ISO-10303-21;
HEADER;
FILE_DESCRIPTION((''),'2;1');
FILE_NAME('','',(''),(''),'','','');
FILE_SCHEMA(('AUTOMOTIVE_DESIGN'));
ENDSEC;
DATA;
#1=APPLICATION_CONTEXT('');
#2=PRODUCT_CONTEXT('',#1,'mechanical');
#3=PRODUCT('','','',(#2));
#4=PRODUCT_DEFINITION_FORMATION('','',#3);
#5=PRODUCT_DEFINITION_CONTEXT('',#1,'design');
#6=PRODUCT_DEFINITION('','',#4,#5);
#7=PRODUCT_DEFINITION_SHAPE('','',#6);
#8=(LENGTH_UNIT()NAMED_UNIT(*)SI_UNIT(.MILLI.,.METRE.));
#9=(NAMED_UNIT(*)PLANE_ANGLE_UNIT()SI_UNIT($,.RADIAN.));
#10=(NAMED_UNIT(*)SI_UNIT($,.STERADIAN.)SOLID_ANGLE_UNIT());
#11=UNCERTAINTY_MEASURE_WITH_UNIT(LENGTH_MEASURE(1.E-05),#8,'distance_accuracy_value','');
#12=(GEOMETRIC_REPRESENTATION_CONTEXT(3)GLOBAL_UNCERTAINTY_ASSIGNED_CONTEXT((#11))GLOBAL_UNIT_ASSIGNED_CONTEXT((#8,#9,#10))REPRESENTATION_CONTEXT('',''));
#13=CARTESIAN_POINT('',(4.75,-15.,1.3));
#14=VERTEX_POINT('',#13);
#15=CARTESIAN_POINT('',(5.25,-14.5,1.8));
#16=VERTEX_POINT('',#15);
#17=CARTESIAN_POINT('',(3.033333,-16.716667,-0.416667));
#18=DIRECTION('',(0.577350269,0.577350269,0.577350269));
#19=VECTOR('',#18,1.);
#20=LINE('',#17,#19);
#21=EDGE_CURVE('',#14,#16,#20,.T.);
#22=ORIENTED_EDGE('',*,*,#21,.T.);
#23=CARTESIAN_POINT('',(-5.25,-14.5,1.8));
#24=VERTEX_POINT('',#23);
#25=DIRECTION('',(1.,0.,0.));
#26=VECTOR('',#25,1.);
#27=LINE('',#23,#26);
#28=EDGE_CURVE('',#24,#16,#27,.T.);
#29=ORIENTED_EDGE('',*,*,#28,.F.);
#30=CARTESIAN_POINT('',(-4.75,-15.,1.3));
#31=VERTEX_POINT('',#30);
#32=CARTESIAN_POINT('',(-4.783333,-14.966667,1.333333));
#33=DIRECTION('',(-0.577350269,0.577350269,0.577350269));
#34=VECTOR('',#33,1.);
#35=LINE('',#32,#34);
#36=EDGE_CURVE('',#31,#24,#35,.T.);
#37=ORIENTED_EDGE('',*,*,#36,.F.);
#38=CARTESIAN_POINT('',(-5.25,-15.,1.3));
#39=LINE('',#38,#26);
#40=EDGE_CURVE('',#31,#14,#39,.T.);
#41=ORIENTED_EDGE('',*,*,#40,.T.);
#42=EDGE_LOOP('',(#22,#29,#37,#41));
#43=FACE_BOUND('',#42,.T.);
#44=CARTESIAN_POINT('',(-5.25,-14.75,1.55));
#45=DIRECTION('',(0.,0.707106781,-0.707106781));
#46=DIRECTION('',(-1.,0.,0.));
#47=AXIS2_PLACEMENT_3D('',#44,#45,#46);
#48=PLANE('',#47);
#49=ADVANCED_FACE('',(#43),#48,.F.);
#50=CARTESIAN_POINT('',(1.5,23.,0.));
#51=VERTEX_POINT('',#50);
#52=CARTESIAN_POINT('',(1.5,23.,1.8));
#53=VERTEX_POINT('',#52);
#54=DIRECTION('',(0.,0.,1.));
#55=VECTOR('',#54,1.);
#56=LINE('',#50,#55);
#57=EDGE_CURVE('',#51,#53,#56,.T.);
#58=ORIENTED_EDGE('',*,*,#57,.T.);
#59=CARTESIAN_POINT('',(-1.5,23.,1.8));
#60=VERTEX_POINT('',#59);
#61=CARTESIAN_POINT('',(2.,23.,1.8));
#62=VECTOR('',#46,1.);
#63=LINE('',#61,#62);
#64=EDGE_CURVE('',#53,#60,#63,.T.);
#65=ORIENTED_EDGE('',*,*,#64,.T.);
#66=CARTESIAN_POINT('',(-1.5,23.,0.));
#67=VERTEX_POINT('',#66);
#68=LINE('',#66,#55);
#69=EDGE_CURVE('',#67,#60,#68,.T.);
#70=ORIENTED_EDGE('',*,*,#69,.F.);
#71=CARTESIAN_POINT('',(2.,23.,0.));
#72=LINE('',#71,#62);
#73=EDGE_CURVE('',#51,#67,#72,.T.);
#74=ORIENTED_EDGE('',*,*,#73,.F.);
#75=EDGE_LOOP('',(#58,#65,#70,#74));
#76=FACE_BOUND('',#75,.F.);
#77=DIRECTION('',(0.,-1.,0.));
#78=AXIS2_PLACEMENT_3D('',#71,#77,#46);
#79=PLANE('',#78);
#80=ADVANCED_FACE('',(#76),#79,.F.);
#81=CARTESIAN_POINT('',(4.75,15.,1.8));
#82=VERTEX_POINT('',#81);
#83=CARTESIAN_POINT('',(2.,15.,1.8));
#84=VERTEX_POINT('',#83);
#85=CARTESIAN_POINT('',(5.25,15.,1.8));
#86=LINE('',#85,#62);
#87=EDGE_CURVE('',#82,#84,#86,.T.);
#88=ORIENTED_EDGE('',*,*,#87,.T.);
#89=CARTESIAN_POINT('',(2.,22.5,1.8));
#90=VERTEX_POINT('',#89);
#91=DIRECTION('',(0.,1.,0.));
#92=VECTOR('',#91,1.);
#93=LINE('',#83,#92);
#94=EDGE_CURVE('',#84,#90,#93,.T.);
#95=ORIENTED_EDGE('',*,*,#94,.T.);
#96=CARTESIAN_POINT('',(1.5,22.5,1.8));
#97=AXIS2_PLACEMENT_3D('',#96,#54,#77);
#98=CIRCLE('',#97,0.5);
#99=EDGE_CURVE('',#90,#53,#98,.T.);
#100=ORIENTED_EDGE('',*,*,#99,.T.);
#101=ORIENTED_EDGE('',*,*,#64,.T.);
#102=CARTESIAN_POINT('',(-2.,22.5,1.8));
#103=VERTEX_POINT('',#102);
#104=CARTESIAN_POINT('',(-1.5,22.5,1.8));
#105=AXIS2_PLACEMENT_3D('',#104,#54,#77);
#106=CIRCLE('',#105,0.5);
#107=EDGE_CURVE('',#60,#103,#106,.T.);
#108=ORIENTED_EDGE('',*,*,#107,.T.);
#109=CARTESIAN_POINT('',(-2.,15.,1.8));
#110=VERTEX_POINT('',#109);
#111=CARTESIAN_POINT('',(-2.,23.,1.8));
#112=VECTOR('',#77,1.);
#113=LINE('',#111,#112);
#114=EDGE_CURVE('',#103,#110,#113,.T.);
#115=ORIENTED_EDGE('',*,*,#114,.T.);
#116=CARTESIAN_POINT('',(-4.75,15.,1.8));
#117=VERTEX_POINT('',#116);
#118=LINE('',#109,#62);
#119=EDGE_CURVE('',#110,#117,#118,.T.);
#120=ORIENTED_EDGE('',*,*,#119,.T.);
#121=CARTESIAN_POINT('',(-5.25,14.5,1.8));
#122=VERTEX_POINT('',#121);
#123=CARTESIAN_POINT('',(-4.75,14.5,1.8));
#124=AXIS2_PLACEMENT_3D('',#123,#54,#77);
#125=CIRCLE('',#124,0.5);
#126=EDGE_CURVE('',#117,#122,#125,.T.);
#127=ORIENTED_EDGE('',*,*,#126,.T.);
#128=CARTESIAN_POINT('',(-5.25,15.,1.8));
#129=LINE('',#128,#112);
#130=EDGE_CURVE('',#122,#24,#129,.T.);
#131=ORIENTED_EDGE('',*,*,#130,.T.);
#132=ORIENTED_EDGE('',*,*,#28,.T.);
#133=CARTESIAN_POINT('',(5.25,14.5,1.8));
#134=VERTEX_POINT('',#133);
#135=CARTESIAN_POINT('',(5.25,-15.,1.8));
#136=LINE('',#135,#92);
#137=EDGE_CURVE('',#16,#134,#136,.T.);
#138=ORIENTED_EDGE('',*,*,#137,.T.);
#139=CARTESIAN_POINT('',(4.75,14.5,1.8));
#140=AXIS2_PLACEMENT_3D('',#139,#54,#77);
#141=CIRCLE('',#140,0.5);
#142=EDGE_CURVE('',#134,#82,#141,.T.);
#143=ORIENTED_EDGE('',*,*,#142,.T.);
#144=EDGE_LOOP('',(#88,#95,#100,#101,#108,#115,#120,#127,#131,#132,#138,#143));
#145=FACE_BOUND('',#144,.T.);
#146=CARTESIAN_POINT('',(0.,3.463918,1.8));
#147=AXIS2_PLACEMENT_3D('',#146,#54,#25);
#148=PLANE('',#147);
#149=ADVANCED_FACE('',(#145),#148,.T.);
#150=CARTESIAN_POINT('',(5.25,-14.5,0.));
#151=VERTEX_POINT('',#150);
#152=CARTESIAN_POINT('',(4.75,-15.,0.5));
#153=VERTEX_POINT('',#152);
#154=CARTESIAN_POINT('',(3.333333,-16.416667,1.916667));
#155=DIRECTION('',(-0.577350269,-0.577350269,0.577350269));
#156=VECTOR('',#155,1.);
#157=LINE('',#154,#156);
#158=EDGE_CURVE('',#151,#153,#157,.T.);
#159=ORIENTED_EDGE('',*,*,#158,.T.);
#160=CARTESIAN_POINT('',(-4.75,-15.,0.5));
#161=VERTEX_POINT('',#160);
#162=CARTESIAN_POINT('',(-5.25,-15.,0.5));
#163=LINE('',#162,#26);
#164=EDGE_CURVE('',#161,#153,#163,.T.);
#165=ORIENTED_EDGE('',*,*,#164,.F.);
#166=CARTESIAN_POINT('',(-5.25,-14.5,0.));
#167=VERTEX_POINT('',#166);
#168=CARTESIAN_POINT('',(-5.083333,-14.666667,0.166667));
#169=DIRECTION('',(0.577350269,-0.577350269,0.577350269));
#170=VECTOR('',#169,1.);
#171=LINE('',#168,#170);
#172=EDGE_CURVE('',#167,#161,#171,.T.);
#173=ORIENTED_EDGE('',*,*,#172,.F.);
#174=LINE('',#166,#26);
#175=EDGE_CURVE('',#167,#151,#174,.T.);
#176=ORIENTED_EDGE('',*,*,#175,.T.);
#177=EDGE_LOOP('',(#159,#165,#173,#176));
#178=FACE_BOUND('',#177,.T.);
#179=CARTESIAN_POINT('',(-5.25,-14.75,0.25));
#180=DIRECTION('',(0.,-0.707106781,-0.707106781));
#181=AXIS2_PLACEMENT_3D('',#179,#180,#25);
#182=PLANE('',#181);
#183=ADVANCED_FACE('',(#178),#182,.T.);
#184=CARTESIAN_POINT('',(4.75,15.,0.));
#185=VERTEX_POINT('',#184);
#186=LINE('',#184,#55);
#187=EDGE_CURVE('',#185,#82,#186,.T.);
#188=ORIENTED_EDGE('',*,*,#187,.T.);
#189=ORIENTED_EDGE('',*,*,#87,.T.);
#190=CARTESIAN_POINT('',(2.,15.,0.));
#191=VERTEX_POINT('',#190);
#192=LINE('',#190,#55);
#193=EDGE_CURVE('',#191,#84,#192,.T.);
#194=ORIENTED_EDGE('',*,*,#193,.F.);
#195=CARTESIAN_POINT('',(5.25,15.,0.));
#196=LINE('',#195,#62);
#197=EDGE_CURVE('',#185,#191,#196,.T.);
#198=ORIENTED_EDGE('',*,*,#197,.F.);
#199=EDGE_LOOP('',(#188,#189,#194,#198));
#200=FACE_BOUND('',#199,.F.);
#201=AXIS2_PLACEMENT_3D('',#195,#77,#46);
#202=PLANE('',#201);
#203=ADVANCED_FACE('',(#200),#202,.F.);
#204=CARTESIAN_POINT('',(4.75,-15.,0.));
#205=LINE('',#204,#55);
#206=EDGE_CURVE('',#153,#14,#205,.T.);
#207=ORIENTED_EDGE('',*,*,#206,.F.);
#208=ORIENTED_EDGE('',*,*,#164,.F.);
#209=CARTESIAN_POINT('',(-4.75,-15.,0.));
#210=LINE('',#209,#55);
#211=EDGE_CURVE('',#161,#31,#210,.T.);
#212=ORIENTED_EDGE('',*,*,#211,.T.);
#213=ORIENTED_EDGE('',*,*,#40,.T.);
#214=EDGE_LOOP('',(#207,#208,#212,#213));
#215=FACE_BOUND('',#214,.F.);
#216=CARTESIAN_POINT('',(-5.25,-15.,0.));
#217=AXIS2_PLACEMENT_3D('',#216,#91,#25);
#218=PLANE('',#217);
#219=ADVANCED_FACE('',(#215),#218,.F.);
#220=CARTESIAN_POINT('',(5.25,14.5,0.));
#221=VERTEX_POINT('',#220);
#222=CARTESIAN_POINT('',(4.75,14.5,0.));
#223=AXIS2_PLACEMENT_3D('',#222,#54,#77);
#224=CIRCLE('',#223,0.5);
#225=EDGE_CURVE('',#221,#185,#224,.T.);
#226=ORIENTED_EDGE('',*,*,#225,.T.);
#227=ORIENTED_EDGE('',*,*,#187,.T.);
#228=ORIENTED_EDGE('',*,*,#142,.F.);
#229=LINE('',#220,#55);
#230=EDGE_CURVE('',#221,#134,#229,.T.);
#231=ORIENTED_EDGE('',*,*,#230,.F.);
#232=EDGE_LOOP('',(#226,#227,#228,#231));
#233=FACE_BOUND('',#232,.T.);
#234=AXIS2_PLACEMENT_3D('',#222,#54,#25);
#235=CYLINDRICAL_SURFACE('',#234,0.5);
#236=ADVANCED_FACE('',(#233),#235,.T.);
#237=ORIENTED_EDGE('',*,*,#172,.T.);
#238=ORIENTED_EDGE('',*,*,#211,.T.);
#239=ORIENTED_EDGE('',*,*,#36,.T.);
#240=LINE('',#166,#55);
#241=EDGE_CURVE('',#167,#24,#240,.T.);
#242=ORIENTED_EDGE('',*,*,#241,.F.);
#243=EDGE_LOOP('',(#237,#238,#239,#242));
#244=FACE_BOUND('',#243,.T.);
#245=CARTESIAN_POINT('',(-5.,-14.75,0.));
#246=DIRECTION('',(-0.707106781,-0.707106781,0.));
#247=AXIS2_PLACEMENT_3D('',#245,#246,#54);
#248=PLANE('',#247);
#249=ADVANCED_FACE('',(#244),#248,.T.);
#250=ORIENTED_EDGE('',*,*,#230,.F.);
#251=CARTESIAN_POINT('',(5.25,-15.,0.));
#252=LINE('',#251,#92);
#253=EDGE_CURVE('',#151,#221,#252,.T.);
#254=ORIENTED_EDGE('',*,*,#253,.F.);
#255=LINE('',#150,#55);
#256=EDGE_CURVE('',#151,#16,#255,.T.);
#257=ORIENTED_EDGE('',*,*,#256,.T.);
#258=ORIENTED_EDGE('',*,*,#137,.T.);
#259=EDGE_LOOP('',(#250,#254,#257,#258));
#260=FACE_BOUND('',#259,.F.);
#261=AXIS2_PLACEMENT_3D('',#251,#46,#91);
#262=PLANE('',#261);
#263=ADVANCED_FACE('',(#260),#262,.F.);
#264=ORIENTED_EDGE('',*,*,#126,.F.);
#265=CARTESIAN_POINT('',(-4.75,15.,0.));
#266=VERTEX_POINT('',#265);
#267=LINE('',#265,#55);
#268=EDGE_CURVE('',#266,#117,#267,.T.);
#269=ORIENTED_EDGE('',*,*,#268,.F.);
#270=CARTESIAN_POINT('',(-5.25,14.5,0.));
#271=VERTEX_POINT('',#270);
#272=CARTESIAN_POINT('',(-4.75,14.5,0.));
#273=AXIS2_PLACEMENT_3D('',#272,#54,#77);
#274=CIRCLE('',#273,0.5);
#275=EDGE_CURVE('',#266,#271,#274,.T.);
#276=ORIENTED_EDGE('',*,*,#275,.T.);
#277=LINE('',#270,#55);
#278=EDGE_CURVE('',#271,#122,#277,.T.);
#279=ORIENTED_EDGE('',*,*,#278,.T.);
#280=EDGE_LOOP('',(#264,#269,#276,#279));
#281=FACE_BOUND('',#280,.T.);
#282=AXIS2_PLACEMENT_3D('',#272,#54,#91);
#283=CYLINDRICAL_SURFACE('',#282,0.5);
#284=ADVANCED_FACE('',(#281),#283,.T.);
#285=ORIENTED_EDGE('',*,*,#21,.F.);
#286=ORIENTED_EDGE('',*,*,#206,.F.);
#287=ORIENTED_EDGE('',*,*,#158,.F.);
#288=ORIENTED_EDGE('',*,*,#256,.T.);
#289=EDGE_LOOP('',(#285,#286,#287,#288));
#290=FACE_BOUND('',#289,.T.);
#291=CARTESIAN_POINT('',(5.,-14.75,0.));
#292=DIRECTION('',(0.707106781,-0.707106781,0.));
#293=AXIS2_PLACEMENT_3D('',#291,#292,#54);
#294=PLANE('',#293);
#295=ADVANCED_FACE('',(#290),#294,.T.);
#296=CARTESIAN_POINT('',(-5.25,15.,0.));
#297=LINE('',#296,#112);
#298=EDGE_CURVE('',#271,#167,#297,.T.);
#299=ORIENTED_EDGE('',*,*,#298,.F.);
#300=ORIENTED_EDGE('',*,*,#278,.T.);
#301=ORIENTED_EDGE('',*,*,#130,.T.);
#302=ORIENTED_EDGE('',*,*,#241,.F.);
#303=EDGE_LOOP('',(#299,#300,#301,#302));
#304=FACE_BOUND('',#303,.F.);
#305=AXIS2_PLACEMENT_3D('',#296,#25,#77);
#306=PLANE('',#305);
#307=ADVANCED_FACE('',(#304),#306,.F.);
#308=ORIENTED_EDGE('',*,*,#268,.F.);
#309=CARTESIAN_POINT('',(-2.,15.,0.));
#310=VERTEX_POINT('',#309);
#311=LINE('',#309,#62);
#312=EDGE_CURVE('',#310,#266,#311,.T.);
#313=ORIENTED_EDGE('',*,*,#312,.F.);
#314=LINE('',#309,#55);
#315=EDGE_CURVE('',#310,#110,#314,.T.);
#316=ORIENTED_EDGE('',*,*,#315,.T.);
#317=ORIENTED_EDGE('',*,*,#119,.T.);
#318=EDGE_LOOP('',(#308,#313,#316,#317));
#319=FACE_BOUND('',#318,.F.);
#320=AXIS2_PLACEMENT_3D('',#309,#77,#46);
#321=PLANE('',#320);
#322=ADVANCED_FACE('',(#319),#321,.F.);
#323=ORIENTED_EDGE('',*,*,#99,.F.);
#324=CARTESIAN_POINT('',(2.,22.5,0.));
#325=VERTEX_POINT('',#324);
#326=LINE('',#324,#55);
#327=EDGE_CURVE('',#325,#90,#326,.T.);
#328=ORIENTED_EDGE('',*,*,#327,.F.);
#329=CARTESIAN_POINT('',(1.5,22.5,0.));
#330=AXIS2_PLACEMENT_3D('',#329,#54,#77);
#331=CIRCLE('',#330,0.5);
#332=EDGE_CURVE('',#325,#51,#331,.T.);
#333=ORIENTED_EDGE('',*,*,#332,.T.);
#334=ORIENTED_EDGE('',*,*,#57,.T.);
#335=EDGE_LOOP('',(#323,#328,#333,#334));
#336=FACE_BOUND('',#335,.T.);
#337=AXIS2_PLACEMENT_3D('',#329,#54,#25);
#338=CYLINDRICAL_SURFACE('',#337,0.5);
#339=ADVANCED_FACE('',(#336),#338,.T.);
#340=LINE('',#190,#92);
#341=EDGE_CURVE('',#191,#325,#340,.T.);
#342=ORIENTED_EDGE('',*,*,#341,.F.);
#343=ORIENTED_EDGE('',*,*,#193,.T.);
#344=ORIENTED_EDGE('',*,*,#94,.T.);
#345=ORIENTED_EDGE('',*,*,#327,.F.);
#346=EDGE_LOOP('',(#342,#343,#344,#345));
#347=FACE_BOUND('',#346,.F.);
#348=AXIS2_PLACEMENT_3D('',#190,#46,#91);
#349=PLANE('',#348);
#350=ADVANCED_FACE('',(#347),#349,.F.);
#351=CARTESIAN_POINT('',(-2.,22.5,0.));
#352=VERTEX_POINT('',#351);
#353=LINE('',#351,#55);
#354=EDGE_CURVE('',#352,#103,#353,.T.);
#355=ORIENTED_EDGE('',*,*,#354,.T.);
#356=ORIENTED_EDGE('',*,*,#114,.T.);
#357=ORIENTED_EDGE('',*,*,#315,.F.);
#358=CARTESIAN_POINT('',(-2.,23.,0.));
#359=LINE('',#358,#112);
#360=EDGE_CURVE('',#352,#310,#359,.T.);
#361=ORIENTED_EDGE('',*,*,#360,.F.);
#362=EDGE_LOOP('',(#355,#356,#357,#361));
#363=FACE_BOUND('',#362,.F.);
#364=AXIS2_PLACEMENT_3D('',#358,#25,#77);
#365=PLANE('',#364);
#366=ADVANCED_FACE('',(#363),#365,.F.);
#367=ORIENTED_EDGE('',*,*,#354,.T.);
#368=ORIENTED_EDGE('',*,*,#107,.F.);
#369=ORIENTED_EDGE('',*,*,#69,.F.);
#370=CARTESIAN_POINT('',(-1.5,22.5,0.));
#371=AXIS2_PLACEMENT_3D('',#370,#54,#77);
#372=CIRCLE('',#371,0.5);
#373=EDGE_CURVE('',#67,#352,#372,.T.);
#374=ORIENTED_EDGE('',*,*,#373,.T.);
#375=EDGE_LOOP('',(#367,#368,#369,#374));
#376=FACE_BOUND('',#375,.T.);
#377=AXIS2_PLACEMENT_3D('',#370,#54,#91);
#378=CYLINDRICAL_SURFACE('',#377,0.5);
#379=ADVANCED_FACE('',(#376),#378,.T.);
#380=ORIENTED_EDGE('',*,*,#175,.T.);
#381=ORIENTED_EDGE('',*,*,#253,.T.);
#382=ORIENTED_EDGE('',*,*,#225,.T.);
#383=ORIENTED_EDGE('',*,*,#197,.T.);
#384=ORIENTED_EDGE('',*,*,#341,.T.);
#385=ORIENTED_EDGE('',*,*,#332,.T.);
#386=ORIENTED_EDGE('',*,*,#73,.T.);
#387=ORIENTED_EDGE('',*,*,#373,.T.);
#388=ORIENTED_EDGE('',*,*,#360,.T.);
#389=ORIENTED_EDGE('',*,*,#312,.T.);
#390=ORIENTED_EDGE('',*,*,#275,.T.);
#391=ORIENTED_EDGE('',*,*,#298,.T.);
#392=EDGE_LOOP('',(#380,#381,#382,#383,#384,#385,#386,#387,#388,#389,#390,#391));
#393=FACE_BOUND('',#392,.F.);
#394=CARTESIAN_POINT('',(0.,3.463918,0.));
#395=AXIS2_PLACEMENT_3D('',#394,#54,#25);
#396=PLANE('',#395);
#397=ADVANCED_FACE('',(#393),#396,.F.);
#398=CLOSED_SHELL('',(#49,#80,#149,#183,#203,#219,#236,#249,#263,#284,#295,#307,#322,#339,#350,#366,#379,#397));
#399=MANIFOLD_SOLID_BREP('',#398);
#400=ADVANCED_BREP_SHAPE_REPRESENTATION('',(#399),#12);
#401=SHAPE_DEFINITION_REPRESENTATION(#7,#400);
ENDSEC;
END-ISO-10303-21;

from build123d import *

# Parameters (mm, degrees)
F1_DEPTH = 1.8
F2_R     = 0.5
F3_SIZE  = 0.5


with BuildPart() as f1:
    # F0 (on Top) → F1 (new body)
    with BuildSketch(Plane.XY):
        Polygon((-5.25, -15), (5.25, -15), (5.25, 15), (2, 15), (2, 23), (0, 23), (-2, 23), (-2, 15), (-5.25, 15), align=None)
    extrude(amount=F1_DEPTH)

    # F2
    f2_edges = [f1.edges().sort_by_distance(p)[0] for p in [
        (2, 23, 0.9),
        (-2, 23, 0.9),
        (5.25, 15, 0.9),
        (-5.25, 15, 0.9),
    ]]
    fillet(f2_edges, radius=F2_R)

    # F3
    f3_edges = [f1.edges().sort_by_distance(p)[0] for p in [
        (0, -15, 0),
        (0, -15, 1.8),
        (5.25, -15, 0.9),
        (-5.25, -15, 0.9),
    ]]
    chamfer(f3_edges, length=F3_SIZE)


solid = f1.part
